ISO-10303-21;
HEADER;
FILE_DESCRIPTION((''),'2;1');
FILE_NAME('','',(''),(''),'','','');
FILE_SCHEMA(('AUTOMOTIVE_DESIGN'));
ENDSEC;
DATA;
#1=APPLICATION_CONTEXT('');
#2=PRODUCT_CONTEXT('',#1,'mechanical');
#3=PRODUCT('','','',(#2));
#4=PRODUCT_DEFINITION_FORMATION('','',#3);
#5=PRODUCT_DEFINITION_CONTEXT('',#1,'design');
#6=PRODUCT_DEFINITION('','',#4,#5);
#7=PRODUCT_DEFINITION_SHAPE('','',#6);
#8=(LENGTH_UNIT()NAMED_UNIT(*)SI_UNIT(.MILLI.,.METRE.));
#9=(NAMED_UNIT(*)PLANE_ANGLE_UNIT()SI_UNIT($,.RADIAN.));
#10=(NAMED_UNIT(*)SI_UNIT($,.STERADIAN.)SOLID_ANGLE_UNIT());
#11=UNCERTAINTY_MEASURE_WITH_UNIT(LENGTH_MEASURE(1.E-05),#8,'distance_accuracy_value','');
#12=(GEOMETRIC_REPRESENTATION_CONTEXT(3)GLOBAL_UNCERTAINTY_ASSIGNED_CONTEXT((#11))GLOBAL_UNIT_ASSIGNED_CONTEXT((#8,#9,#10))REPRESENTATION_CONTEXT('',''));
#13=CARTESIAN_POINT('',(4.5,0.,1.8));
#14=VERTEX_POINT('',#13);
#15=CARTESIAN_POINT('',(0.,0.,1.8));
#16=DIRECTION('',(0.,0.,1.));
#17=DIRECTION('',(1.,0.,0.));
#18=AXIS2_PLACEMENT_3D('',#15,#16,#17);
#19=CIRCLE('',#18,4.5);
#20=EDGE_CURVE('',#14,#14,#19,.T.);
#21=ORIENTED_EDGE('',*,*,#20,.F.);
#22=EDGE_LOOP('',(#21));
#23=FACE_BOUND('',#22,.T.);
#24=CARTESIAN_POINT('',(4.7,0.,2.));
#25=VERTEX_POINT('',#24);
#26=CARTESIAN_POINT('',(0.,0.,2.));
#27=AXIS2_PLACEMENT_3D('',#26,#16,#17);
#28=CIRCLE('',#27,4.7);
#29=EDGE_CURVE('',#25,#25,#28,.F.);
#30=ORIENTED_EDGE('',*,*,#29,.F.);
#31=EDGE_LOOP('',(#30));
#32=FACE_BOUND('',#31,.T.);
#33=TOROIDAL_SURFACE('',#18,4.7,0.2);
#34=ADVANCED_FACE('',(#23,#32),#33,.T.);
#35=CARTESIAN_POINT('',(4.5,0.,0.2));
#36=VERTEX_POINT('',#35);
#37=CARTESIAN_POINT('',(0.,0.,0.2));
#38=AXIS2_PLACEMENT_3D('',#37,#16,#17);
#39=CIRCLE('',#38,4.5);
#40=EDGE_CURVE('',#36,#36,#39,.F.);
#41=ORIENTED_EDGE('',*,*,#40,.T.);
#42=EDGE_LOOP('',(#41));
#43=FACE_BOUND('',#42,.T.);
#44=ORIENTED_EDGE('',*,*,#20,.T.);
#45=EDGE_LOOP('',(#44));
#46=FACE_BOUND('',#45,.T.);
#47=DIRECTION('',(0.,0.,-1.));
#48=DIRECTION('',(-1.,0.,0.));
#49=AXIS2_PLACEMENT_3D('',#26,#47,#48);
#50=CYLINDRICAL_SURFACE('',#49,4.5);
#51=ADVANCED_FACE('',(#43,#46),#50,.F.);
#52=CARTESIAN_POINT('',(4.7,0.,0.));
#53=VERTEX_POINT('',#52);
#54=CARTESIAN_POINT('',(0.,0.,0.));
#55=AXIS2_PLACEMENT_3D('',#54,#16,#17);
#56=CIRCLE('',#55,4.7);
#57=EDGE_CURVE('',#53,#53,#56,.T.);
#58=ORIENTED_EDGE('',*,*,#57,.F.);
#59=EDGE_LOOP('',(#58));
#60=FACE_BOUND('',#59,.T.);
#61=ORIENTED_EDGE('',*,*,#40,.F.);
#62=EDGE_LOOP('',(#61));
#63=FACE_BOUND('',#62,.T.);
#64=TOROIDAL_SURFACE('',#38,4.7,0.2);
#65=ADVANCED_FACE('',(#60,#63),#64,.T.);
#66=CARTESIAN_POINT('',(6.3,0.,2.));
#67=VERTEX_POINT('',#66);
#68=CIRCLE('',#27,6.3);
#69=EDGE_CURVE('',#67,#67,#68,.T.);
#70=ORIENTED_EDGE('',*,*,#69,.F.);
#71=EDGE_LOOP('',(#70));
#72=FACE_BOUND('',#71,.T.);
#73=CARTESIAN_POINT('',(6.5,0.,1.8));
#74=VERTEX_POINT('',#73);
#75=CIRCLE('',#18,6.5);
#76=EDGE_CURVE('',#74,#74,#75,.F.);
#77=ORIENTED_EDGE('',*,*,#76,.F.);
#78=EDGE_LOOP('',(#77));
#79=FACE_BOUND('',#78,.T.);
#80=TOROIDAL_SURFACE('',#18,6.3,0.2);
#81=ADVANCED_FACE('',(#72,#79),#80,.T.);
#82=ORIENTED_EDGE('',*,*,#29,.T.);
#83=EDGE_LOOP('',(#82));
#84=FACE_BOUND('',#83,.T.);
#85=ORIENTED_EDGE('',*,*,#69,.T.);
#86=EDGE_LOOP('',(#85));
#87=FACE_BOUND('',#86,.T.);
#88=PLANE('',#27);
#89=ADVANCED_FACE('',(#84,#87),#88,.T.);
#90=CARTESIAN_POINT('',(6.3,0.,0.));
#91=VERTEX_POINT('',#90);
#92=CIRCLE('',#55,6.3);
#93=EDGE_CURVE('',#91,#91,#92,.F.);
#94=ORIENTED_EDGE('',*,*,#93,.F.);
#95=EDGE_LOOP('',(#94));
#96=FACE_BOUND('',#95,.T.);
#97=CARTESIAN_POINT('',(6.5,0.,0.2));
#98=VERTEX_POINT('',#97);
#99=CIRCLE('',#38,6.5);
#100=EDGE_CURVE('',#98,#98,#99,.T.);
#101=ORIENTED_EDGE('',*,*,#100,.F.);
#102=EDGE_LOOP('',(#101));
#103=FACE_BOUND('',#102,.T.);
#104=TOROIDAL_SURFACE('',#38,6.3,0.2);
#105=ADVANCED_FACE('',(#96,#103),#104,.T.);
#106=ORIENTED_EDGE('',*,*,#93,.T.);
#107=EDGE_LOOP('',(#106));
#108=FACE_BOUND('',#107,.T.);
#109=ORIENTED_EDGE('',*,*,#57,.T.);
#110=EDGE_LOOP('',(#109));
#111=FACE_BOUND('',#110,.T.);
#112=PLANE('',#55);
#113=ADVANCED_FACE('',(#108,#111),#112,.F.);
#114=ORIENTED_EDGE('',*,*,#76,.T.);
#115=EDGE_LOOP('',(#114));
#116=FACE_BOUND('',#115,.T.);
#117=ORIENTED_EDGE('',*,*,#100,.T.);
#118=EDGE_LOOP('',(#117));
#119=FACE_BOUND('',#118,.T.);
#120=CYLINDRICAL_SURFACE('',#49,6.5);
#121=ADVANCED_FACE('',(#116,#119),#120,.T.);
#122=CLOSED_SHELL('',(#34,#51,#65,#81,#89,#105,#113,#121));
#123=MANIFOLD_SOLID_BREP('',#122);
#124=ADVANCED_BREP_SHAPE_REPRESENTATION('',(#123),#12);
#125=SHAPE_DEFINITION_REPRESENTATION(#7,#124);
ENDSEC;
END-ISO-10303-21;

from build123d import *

# Parameters (mm, degrees)
SKETCH1_R           = 6.5
SKETCH1_R_2         = 4.5
BOSS_EXTRUDE1_DEPTH = 2
FILLET1_R           = 0.2


with BuildPart() as part:
    # Sketch1 → Boss-Extrude1 (new body)
    with BuildSketch(Plane.XY):
        Circle(SKETCH1_R)
        Circle(SKETCH1_R_2, mode=Mode.SUBTRACT)
    extrude(amount=BOSS_EXTRUDE1_DEPTH)

    # Fillet1
    fillet1_edges = [part.edges().sort_by_distance(p)[0] for p in [
        (-6.5, 0, 0),
        (-6.5, 0, 2),
        (-4.5, 0, 0),
        (-4.5, 0, 2),
    ]]
    fillet(fillet1_edges, radius=FILLET1_R)


solid = part.part
